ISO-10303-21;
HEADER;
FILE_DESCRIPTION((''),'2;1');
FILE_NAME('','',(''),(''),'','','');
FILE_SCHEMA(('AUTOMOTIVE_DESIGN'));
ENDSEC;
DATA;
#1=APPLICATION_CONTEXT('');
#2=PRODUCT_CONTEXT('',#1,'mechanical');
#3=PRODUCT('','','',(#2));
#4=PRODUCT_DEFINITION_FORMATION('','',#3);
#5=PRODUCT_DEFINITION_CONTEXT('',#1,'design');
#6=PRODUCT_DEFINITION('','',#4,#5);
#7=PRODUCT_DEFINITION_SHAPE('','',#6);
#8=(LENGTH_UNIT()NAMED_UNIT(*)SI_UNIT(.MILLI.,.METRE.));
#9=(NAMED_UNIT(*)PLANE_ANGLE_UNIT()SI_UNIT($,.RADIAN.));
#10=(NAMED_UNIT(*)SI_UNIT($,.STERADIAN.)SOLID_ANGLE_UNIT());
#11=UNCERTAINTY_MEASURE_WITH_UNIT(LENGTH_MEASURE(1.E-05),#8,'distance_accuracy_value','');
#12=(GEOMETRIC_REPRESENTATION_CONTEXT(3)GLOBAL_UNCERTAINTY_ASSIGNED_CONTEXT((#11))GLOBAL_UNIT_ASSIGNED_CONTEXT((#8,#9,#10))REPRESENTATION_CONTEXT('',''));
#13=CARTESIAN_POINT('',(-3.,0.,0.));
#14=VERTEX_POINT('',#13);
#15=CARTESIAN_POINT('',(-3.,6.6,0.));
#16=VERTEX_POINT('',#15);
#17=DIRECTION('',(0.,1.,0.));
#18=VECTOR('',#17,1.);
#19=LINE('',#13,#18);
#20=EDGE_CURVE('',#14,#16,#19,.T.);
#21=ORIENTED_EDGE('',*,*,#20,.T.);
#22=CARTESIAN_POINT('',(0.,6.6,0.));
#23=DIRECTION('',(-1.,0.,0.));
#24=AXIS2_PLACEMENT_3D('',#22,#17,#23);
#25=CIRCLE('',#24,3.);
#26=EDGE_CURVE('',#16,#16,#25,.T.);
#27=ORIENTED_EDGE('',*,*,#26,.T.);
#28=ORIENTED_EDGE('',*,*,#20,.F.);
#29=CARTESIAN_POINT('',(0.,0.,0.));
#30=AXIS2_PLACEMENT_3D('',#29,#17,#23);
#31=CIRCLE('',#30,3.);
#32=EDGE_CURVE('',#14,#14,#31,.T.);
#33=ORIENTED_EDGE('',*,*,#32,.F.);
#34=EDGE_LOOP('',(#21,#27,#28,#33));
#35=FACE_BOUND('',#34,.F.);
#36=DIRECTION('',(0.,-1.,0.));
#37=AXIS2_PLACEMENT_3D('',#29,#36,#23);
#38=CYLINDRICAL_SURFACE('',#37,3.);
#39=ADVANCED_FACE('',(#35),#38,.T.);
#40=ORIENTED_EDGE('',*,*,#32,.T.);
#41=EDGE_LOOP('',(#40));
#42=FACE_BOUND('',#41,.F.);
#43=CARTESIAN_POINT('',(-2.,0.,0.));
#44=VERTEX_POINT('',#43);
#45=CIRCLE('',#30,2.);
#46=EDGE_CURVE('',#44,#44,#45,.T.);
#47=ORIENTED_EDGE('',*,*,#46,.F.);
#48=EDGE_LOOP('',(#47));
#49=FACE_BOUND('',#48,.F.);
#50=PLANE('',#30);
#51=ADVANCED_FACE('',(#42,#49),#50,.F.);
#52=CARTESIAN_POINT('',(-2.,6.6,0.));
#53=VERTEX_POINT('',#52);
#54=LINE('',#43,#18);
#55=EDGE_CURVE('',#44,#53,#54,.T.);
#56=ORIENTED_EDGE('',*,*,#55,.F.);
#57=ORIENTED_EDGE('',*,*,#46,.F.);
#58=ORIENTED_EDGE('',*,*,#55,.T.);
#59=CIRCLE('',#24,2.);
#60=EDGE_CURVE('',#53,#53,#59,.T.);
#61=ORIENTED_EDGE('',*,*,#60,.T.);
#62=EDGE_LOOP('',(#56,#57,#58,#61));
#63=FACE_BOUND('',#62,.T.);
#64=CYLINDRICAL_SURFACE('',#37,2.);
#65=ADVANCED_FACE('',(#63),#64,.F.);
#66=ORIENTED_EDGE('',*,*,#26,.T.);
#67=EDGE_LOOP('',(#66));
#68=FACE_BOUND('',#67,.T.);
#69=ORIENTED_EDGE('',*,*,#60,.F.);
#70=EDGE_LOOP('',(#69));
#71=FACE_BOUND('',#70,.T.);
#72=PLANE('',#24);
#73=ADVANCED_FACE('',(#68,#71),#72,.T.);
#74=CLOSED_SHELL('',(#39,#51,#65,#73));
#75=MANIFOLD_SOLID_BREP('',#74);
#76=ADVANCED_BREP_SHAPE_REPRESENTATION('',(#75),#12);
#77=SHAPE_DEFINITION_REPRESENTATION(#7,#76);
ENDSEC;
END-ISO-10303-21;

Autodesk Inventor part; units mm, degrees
ref_plane "YZ Plane" through (0, 0, 0) normal (1, 0, 0) x (0, 1, 0)
ref_plane "XZ Plane" through (0, 0, 0) normal (0, 1, 0) x (-1, 0, 0)
ref_plane "XY Plane" through (0, 0, 0) normal (0, 0, 1) x (1, 0, 0)
sketch "Sketch1" plane through (0, 0, 0) normal (0, 1, 0) x (-1, 0, 0)
  circle A0 centre (0, 0) radius 2
  circle A1 centre (0, 0) radius 3
  dimension "d0" = 4
  dimension "d1" = 6
extrude "Extrusion1" add sketch "Sketch1" along normal blind 6.6
properties part number "ClawServoSpacer"
